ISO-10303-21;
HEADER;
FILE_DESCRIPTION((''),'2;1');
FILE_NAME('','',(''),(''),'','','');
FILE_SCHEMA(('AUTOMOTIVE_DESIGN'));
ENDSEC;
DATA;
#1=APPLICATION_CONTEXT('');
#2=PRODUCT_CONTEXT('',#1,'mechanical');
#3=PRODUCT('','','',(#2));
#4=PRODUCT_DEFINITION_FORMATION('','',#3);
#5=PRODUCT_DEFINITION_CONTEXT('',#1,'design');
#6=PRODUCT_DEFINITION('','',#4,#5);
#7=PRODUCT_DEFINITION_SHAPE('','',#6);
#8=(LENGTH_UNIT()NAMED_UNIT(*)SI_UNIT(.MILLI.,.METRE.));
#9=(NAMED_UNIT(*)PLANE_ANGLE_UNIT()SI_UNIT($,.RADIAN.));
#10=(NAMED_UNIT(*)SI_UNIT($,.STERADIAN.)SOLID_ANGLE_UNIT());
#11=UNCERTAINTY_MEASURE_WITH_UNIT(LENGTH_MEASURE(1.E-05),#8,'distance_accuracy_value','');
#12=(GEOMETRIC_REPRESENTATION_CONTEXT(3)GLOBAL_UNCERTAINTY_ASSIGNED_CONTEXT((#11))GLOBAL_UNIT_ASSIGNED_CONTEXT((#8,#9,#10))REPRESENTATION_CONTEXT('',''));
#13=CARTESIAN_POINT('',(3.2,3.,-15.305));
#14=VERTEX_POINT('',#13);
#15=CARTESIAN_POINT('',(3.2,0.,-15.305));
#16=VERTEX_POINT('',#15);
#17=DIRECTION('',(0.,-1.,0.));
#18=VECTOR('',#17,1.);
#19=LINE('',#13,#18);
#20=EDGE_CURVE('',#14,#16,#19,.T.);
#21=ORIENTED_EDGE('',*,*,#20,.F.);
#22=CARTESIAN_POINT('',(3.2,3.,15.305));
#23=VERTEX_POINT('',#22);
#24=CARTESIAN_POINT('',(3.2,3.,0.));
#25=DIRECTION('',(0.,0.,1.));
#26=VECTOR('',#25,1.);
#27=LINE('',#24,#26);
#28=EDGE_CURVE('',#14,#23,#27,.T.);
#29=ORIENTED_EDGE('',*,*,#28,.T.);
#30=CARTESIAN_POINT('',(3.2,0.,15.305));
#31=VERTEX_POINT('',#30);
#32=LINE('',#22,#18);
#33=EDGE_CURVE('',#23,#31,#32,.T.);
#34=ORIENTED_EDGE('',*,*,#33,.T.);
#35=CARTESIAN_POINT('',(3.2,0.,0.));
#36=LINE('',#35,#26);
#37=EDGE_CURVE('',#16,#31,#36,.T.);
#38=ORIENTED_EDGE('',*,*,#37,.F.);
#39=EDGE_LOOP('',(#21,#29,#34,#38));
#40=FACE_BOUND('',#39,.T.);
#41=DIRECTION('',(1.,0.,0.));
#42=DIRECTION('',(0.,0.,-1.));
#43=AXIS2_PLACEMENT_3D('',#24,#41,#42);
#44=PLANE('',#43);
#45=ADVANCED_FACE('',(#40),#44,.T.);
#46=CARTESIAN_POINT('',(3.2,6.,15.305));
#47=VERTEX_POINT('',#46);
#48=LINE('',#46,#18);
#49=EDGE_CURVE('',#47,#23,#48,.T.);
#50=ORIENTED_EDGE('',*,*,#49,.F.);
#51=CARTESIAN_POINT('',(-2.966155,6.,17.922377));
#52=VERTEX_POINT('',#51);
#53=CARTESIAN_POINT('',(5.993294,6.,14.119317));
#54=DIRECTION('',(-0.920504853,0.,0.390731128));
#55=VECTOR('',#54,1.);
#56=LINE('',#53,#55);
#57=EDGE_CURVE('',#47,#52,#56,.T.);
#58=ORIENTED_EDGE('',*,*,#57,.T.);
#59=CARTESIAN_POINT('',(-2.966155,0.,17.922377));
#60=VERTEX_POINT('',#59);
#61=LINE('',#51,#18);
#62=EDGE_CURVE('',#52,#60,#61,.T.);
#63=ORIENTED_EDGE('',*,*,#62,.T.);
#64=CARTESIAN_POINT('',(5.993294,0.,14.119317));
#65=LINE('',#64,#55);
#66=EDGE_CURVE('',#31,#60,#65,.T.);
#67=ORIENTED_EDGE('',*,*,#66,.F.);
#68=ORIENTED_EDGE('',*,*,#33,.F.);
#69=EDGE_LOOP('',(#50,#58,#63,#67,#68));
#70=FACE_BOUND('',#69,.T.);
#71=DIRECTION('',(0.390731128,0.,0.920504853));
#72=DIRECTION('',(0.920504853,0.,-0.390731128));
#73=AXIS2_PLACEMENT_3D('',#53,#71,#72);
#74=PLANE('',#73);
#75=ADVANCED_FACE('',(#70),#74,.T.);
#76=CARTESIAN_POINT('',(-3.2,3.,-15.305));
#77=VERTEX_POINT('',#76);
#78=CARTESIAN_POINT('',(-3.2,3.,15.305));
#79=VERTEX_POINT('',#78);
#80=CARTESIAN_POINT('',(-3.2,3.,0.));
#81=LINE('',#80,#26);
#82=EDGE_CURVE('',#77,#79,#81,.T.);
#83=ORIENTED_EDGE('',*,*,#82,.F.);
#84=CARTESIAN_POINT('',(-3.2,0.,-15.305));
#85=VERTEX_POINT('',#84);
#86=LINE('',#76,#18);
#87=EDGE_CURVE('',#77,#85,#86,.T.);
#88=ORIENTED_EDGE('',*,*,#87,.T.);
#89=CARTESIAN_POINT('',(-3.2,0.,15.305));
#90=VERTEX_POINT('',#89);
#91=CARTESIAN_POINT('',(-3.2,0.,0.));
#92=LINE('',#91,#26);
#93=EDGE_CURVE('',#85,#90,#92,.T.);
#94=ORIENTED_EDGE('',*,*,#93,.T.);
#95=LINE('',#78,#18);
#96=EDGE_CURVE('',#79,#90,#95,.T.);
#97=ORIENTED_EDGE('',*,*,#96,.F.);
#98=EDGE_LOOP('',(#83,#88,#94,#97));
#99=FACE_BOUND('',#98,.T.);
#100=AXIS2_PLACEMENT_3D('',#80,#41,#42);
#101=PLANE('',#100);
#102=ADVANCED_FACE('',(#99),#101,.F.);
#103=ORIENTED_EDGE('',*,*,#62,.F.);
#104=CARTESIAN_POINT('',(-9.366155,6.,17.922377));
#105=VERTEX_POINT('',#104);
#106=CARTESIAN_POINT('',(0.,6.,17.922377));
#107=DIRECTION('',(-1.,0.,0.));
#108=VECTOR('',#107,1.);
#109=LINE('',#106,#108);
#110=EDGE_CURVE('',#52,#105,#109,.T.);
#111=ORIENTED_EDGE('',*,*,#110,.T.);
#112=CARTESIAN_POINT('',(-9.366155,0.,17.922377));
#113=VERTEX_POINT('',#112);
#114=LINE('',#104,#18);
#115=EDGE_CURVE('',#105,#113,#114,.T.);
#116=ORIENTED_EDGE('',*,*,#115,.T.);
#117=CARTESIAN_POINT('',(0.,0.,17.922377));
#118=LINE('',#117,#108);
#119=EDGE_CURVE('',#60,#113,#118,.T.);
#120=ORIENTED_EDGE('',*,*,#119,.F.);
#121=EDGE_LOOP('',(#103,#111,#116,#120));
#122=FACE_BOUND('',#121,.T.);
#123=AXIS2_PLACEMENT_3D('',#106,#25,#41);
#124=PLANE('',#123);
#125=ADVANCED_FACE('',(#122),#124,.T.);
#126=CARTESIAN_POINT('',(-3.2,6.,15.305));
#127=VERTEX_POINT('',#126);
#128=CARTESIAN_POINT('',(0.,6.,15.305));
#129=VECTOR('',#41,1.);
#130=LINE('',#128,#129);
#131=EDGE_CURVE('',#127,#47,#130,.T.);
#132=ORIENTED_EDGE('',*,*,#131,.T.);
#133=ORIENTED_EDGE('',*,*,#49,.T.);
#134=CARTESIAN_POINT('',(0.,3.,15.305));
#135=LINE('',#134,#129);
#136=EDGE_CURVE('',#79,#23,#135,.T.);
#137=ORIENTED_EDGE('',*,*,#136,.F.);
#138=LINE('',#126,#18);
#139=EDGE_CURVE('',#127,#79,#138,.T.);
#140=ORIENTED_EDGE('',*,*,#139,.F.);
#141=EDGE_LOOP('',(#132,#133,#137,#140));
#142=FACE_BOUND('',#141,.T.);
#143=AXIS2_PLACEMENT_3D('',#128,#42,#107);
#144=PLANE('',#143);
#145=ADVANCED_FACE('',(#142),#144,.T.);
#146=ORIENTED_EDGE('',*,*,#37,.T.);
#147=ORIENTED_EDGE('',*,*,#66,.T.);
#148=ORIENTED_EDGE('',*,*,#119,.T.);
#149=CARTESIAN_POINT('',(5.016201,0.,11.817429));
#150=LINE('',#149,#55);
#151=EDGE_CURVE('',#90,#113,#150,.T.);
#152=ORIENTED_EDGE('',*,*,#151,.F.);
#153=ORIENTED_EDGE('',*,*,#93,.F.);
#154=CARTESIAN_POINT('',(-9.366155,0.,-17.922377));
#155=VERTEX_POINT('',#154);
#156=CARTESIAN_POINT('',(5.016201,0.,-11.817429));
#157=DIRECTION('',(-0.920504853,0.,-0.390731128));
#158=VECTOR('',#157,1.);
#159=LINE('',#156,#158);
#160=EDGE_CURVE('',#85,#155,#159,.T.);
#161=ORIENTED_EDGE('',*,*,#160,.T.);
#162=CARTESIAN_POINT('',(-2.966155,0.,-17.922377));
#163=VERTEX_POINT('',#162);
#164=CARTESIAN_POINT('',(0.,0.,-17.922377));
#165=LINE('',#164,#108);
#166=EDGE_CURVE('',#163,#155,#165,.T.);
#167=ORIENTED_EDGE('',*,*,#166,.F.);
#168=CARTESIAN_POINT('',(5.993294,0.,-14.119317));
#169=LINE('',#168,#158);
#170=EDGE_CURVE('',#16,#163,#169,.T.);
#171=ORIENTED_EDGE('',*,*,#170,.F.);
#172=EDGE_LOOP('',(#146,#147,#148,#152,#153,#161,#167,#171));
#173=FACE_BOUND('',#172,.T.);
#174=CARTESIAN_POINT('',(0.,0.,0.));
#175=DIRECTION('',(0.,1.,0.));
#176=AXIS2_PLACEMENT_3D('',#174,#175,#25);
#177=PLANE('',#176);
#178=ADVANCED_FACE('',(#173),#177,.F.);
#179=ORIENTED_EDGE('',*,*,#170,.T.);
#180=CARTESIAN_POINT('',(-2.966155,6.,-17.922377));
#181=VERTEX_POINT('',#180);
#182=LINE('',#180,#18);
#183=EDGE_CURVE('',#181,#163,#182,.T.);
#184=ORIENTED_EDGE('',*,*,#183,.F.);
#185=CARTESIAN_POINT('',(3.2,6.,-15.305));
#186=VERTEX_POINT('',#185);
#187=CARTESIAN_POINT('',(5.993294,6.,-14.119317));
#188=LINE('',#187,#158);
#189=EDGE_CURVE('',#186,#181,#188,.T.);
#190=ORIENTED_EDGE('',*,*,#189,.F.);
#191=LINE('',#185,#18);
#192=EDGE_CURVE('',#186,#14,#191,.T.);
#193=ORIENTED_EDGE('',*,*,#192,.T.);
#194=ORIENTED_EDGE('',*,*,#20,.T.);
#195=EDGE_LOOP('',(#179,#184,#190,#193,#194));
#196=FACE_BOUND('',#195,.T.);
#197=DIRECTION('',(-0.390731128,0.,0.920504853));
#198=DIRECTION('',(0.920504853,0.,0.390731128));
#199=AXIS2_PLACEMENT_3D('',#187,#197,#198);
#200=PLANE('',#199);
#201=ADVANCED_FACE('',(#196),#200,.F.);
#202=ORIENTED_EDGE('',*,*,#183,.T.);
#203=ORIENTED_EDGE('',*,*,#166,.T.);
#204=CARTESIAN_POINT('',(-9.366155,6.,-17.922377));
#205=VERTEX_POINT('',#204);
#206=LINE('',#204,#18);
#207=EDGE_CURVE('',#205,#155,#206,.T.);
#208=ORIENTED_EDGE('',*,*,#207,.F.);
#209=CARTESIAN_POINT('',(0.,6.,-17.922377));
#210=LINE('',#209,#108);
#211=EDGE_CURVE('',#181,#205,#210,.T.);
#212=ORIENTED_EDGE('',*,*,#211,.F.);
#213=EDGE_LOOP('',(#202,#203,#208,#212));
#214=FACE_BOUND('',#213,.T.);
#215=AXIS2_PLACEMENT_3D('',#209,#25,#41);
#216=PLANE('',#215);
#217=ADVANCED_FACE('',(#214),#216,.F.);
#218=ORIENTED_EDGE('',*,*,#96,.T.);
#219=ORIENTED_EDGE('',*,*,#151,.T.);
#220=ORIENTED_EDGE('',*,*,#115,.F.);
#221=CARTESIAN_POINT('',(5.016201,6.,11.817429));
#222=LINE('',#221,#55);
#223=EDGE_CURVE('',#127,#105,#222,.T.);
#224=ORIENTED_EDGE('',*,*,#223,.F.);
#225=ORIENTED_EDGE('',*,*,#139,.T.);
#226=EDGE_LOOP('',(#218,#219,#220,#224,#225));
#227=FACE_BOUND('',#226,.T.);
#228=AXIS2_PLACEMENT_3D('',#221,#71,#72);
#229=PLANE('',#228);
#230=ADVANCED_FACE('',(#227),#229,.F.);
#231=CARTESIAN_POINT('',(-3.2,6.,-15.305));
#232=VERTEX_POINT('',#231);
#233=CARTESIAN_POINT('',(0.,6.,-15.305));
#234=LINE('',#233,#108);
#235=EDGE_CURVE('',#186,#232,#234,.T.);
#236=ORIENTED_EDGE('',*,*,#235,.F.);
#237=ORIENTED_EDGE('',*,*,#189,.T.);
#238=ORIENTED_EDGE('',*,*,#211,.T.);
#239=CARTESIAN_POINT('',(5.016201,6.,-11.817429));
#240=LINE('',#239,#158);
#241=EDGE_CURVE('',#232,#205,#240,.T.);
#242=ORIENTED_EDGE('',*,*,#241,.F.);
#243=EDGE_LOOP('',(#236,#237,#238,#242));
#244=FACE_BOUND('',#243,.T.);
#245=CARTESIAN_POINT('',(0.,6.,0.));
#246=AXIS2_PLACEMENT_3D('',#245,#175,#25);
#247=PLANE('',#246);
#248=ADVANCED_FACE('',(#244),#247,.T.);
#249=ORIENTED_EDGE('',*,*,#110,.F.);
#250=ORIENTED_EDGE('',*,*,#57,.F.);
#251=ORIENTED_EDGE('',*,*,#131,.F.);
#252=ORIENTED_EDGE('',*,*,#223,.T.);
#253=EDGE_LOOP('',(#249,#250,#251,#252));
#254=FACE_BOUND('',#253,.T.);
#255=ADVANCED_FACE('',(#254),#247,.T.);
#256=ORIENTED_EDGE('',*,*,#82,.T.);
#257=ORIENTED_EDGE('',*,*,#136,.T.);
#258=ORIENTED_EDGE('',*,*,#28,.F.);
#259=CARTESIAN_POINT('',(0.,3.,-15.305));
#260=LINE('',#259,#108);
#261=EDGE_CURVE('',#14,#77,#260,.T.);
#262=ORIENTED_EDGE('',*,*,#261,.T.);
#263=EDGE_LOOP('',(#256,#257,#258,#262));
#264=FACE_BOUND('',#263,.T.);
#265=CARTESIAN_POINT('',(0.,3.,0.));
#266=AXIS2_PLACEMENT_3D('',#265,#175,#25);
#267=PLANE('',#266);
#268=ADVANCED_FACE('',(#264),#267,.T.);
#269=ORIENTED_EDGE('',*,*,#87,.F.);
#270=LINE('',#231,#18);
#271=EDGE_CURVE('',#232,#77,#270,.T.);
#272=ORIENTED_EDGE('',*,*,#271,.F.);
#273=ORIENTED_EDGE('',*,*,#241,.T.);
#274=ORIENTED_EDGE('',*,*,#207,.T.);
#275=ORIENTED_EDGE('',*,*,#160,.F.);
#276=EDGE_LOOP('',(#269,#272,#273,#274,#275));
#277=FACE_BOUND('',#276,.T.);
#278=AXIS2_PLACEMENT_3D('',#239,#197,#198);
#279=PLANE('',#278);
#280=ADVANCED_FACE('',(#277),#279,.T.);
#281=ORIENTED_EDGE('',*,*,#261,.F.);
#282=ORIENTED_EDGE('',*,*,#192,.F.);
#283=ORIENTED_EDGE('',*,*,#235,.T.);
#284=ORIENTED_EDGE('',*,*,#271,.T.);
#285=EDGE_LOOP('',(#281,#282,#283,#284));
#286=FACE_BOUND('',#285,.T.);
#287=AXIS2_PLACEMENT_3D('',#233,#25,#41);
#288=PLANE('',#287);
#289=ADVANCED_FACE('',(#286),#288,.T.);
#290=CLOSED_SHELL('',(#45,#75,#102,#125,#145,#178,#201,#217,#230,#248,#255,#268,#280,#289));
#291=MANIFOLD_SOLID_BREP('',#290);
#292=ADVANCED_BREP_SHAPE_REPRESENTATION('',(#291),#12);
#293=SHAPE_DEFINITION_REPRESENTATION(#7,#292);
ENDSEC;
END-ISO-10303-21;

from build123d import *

# Parameters (mm, degrees)
SKETCH1_W           = 6.4
SKETCH1_H           = 30.61
BOSS_EXTRUDE1_DEPTH = 3
BOSS_EXTRUDE2_DEPTH = 6


with BuildPart() as part:
    # Sketch1 → Boss-Extrude1 (new body)
    with BuildSketch(Plane(origin=(0, 0, 0), x_dir=(1, 0, 0), z_dir=(0, 1, 0))):
        Rectangle(SKETCH1_W, SKETCH1_H)
    extrude(amount=BOSS_EXTRUDE1_DEPTH)

    # Sketch1<3> → Boss-Extrude2 (add)
    with BuildSketch(Plane(origin=(0, 0, 0), x_dir=(1, 0, 0), z_dir=(0, 1, 0))):
        Polygon((-3.2, 15.305), (3.2, 15.305), (-2.966154938, 17.922377484), (-9.366154938, 17.922377484), align=None)
        Polygon((-2.966154938, -17.922377484), (3.2, -15.305), (-3.2, -15.305), (-9.366154938, -17.922377484), align=None)
    extrude(amount=BOSS_EXTRUDE2_DEPTH)


solid = part.part
